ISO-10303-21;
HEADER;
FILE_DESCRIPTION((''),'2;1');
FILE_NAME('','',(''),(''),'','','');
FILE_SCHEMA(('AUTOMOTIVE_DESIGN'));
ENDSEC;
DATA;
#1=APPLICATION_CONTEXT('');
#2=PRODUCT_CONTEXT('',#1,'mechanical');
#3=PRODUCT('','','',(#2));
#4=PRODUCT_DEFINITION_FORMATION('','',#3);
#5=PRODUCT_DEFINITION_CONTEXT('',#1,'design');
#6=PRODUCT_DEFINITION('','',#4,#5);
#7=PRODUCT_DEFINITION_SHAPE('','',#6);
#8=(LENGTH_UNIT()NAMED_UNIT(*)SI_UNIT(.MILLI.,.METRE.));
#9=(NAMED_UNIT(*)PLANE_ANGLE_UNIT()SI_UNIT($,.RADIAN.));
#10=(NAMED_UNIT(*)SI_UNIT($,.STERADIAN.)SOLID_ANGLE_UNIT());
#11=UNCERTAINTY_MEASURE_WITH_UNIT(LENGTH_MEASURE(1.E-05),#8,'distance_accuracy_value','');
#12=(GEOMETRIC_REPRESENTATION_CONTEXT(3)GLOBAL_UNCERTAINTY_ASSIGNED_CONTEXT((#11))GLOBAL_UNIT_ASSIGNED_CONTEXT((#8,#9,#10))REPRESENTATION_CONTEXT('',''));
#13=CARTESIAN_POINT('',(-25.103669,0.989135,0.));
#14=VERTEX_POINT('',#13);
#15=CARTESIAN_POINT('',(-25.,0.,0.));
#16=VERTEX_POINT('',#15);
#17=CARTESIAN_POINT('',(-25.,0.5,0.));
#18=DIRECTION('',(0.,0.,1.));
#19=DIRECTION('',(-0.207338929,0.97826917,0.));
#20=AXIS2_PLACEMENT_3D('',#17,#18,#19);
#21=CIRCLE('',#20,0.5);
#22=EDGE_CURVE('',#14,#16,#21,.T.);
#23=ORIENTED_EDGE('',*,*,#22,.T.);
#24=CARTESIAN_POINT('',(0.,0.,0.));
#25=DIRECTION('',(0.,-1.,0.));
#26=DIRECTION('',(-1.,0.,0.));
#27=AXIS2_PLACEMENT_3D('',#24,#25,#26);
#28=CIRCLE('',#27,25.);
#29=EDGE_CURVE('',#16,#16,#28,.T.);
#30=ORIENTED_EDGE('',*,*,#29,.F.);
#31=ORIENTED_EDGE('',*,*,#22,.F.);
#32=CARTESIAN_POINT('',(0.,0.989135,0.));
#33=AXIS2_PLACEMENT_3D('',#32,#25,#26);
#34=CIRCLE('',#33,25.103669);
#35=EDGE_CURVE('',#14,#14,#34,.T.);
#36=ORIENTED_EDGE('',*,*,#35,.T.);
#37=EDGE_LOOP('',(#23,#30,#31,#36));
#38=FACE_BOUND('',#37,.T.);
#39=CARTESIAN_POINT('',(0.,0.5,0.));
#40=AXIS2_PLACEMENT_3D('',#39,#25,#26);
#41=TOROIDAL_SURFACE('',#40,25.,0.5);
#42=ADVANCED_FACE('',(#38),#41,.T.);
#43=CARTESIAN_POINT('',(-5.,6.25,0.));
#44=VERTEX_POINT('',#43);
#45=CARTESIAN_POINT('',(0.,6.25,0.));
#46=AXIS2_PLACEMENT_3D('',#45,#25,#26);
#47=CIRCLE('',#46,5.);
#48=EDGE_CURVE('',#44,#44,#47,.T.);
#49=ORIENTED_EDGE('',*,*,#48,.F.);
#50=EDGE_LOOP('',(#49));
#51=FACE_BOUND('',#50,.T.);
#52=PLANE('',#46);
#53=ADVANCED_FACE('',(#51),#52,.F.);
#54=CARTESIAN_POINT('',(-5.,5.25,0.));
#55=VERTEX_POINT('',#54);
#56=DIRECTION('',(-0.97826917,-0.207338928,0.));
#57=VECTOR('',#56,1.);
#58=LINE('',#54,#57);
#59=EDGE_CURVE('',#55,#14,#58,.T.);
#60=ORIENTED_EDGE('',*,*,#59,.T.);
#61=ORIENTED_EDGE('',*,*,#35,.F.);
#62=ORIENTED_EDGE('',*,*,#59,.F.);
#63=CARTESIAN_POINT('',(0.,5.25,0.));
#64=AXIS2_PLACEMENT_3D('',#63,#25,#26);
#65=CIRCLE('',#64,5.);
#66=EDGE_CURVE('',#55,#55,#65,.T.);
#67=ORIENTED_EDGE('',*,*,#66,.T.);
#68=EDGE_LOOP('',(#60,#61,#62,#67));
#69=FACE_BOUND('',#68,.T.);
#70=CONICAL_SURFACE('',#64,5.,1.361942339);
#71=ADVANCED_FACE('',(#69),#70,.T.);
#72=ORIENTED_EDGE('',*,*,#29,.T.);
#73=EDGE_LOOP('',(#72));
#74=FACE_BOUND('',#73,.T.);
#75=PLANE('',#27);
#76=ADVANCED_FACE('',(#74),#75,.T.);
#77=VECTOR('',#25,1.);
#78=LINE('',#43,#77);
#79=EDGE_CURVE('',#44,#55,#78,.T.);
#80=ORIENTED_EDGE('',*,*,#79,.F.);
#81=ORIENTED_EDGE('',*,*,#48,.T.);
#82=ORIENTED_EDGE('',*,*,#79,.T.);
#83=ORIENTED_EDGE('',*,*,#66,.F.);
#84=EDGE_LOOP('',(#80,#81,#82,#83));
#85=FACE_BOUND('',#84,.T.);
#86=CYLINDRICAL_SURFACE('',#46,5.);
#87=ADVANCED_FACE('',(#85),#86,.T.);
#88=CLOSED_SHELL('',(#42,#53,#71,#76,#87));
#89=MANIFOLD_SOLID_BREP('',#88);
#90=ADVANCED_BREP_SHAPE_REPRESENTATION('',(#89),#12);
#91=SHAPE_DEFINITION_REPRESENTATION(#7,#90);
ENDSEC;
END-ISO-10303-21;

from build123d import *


with BuildPart() as part:
    # Sketch1 → Revolve1 (revolve)
    with BuildSketch(Plane.XY):
        with BuildLine():
            Line((0, 6.25), (-5, 6.25))
            Line((-5, 6.25), (-5, 5.25))
            Line((-5, 5.25), (-25.103669464, 0.989134585))
            ThreePointArc((-25.103669464, 0.989134585), (-25.497276227, 0.447881349), (-25, 0))
            Line((-25, 0), (0, 0))
            Line((0, 0), (0, 6.25))
        make_face()
    revolve(axis=Axis((0, 17.720157406, 0), (0, -1, 0)))


solid = part.part
